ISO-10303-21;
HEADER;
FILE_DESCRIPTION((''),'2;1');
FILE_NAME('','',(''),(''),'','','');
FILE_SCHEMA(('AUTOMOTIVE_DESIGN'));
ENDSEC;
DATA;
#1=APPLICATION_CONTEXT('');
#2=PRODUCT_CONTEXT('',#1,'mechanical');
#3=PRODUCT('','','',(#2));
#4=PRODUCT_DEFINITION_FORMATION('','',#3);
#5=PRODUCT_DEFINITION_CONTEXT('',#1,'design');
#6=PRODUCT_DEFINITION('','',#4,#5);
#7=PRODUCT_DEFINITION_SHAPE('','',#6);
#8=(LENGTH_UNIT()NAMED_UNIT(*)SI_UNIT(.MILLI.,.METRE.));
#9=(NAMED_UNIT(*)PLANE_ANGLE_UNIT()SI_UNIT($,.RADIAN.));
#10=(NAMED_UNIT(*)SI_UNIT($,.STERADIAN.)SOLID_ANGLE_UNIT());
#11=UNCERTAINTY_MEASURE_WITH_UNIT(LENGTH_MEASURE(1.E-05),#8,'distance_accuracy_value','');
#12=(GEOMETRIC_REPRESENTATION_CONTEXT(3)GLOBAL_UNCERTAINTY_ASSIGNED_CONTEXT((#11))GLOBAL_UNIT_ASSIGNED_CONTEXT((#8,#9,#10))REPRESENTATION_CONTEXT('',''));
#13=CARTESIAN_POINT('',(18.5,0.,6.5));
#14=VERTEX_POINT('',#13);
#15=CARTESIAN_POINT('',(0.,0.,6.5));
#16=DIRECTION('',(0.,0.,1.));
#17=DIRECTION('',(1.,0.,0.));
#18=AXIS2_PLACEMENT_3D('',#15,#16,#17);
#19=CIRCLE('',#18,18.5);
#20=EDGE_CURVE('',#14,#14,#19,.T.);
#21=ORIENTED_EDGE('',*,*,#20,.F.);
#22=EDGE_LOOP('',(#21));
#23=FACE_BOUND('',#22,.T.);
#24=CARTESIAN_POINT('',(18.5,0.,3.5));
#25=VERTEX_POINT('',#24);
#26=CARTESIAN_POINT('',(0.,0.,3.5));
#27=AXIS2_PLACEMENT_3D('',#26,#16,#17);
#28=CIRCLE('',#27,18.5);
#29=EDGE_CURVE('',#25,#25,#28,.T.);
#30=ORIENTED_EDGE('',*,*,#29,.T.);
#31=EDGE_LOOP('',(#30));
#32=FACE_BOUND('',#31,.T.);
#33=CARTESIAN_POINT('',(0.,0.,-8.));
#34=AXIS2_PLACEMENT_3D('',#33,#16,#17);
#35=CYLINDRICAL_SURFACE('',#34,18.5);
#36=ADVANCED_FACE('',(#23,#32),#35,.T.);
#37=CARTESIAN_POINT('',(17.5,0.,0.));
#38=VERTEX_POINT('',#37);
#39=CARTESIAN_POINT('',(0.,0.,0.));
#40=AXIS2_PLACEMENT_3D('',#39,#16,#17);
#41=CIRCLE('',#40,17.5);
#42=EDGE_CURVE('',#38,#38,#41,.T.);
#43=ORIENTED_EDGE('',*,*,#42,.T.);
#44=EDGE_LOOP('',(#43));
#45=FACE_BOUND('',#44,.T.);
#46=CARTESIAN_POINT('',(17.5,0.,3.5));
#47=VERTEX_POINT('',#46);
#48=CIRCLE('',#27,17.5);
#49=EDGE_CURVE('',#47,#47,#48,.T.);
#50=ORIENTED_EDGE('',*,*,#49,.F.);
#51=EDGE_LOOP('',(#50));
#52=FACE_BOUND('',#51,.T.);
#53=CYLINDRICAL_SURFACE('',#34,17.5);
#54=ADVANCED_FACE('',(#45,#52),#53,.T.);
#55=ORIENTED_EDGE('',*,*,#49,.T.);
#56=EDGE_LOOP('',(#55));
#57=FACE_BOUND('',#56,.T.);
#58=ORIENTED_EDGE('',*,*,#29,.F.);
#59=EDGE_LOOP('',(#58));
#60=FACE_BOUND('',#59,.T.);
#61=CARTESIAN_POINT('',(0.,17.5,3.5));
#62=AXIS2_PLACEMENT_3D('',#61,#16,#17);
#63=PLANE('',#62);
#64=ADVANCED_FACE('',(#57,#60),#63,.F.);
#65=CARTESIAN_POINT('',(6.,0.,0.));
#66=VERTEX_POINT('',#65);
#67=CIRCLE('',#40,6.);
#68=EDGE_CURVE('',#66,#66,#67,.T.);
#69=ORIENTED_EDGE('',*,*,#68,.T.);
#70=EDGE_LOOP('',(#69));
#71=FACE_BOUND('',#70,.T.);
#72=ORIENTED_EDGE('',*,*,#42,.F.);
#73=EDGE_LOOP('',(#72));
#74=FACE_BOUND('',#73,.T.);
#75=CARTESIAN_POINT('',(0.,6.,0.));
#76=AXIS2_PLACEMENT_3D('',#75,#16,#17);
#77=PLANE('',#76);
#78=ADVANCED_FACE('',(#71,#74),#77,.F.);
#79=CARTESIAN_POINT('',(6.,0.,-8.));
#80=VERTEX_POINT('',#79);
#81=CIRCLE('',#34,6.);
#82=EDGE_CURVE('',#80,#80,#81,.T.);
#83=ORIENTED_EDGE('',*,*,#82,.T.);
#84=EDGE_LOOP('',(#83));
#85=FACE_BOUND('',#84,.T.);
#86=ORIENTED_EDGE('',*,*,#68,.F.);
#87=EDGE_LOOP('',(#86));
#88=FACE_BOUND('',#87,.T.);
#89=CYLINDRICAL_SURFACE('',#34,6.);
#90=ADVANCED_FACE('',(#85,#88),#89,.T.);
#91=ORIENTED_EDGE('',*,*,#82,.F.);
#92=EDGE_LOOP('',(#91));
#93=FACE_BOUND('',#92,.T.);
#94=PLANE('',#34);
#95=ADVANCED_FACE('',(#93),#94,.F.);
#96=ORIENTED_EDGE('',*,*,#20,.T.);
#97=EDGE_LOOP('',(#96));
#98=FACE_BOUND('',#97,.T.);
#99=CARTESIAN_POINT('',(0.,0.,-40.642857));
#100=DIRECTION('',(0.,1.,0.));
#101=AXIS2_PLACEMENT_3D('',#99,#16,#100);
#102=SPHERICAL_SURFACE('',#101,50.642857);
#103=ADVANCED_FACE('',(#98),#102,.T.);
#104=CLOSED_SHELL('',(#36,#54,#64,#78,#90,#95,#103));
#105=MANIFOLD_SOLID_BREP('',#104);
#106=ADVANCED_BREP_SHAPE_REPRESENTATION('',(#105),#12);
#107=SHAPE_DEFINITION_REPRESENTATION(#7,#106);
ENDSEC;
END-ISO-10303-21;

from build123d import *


with BuildPart() as part:
    # Sketch1 → Revolve1 (revolve)
    with BuildSketch(Plane(origin=(0, 0, 0), x_dir=(0, 0, -1), z_dir=(1, 0, 0)), mode=Mode.PRIVATE) as revolve1_sk:
        with BuildLine():
            Line((8, 0), (8, 6))
            Line((8, 6), (0, 6))
            Line((0, 6), (0, 17.5))
            Line((0, 17.5), (-3.5, 17.5))
            Line((-3.5, 17.5), (-3.5, 18.5))
            Line((-3.5, 18.5), (-6.5, 18.5))
            ThreePointArc((-6.5, 18.5), (-9.117307443, 9.414085192), (-10, 0))
            Line((-10, 0), (8, 0))
        make_face()
    revolve(revolve1_sk.sketch.rotate(Axis((0, 0, -8), (0, 0, -1)), 90), axis=Axis((0, 0, -8), (0, 0, -1)))


solid = part.part
